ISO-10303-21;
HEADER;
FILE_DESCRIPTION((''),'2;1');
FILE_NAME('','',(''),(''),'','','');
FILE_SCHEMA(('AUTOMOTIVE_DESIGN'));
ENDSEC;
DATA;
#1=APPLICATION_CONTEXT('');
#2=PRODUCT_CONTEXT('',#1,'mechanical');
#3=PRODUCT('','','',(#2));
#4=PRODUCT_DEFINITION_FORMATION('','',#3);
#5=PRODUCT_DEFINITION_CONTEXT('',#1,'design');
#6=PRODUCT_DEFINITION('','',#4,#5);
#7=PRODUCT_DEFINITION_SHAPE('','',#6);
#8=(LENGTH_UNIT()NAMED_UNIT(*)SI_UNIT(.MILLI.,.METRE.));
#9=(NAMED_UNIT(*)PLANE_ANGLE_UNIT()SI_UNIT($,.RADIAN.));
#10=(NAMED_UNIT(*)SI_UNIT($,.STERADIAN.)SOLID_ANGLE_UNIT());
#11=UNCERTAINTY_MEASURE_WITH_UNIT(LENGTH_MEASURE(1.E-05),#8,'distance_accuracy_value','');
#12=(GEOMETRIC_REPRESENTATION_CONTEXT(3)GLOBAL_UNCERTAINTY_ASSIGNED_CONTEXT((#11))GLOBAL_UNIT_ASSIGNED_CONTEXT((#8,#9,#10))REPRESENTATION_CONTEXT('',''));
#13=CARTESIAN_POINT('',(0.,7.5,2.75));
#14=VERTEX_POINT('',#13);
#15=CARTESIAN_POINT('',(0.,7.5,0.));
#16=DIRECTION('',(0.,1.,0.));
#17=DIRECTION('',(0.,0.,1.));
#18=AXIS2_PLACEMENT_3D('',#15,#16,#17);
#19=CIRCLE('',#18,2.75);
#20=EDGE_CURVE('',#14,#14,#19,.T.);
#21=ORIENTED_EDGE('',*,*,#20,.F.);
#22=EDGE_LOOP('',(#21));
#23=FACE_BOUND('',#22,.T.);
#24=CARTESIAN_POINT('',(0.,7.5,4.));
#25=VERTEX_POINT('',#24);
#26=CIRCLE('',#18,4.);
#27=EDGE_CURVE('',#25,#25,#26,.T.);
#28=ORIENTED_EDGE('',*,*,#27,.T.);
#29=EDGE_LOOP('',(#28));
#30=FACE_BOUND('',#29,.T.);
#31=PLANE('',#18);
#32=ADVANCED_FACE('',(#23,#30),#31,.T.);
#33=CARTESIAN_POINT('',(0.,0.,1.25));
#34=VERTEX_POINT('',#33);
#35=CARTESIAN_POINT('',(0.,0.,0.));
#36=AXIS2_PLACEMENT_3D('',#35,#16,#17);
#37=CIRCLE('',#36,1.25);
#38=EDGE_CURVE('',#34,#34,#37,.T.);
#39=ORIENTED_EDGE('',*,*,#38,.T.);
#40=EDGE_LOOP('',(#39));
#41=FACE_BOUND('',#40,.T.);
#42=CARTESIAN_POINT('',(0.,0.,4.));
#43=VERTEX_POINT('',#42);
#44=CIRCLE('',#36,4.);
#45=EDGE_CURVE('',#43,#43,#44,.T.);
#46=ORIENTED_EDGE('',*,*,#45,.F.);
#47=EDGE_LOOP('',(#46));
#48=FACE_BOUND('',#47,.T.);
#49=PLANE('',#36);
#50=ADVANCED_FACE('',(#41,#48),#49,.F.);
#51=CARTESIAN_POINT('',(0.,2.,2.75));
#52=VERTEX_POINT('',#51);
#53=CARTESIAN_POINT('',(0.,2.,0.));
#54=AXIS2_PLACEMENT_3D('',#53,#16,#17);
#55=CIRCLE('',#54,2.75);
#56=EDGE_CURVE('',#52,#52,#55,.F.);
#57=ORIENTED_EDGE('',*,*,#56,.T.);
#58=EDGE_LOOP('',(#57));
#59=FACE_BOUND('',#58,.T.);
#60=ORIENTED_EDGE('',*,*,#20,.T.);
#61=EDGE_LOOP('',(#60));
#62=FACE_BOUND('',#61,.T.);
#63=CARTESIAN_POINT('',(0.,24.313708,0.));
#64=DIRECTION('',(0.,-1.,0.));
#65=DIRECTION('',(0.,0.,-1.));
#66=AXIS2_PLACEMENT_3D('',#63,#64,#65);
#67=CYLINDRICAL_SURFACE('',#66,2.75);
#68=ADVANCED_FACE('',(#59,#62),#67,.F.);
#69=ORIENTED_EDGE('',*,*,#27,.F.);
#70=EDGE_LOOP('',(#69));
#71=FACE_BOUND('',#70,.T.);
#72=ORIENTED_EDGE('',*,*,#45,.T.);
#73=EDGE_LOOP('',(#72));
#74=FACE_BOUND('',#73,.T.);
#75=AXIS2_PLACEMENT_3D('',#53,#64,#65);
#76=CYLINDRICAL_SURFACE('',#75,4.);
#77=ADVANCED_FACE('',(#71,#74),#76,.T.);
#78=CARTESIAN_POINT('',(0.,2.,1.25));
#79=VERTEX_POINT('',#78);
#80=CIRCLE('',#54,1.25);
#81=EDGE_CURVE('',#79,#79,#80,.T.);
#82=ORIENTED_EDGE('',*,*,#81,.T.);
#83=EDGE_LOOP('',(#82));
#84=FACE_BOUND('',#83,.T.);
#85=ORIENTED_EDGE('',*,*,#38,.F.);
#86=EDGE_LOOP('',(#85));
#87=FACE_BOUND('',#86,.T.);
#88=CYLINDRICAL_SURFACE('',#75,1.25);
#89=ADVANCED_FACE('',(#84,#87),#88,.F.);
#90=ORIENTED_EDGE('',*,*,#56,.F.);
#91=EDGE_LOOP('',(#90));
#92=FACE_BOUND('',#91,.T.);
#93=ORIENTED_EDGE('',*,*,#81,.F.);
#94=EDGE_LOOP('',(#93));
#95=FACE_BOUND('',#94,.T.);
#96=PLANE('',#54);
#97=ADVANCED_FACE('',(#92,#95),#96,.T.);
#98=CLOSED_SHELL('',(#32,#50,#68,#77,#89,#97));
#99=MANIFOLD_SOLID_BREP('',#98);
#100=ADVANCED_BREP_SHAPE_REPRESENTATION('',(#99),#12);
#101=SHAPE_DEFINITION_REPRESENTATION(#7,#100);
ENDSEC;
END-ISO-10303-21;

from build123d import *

# Parameters (mm, degrees)
SKETCH1_R           = 4
SKETCH1_R_2         = 2.75
SKETCH1_R_3         = 1.25
BOSS_EXTRUDE1_DEPTH = 2
SKETCH1_3_R         = 4
SKETCH1_3_R_2       = 2.75
BOSS_EXTRUDE2_DEPTH = 7.5


with BuildPart() as part:
    # Sketch1 → Boss-Extrude1 (new body)
    with BuildSketch(Plane(origin=(0, 0, 0), x_dir=(1, 0, 0), z_dir=(0, 1, 0))):
        with Locations(Location((0, 0, 0), (0, 0, 270))):
            Circle(SKETCH1_R)
        Circle(SKETCH1_R_2, mode=Mode.SUBTRACT)
        Circle(SKETCH1_R_2)
        with Locations(Location((0, 0, 0), (0, 0, 270))):
            Circle(SKETCH1_R_3, mode=Mode.SUBTRACT)
    extrude(amount=BOSS_EXTRUDE1_DEPTH)

    # Sketch1<3> → Boss-Extrude2 (add)
    with BuildSketch(Plane(origin=(0, 0, 0), x_dir=(1, 0, 0), z_dir=(0, 1, 0))):
        with Locations(Location((0, 0, 0), (0, 0, 270))):
            Circle(SKETCH1_3_R)
        with Locations(Location((0, 0, 0), (0, 0, 270))):
            Circle(SKETCH1_3_R_2, mode=Mode.SUBTRACT)
    extrude(amount=BOSS_EXTRUDE2_DEPTH)


solid = part.part
